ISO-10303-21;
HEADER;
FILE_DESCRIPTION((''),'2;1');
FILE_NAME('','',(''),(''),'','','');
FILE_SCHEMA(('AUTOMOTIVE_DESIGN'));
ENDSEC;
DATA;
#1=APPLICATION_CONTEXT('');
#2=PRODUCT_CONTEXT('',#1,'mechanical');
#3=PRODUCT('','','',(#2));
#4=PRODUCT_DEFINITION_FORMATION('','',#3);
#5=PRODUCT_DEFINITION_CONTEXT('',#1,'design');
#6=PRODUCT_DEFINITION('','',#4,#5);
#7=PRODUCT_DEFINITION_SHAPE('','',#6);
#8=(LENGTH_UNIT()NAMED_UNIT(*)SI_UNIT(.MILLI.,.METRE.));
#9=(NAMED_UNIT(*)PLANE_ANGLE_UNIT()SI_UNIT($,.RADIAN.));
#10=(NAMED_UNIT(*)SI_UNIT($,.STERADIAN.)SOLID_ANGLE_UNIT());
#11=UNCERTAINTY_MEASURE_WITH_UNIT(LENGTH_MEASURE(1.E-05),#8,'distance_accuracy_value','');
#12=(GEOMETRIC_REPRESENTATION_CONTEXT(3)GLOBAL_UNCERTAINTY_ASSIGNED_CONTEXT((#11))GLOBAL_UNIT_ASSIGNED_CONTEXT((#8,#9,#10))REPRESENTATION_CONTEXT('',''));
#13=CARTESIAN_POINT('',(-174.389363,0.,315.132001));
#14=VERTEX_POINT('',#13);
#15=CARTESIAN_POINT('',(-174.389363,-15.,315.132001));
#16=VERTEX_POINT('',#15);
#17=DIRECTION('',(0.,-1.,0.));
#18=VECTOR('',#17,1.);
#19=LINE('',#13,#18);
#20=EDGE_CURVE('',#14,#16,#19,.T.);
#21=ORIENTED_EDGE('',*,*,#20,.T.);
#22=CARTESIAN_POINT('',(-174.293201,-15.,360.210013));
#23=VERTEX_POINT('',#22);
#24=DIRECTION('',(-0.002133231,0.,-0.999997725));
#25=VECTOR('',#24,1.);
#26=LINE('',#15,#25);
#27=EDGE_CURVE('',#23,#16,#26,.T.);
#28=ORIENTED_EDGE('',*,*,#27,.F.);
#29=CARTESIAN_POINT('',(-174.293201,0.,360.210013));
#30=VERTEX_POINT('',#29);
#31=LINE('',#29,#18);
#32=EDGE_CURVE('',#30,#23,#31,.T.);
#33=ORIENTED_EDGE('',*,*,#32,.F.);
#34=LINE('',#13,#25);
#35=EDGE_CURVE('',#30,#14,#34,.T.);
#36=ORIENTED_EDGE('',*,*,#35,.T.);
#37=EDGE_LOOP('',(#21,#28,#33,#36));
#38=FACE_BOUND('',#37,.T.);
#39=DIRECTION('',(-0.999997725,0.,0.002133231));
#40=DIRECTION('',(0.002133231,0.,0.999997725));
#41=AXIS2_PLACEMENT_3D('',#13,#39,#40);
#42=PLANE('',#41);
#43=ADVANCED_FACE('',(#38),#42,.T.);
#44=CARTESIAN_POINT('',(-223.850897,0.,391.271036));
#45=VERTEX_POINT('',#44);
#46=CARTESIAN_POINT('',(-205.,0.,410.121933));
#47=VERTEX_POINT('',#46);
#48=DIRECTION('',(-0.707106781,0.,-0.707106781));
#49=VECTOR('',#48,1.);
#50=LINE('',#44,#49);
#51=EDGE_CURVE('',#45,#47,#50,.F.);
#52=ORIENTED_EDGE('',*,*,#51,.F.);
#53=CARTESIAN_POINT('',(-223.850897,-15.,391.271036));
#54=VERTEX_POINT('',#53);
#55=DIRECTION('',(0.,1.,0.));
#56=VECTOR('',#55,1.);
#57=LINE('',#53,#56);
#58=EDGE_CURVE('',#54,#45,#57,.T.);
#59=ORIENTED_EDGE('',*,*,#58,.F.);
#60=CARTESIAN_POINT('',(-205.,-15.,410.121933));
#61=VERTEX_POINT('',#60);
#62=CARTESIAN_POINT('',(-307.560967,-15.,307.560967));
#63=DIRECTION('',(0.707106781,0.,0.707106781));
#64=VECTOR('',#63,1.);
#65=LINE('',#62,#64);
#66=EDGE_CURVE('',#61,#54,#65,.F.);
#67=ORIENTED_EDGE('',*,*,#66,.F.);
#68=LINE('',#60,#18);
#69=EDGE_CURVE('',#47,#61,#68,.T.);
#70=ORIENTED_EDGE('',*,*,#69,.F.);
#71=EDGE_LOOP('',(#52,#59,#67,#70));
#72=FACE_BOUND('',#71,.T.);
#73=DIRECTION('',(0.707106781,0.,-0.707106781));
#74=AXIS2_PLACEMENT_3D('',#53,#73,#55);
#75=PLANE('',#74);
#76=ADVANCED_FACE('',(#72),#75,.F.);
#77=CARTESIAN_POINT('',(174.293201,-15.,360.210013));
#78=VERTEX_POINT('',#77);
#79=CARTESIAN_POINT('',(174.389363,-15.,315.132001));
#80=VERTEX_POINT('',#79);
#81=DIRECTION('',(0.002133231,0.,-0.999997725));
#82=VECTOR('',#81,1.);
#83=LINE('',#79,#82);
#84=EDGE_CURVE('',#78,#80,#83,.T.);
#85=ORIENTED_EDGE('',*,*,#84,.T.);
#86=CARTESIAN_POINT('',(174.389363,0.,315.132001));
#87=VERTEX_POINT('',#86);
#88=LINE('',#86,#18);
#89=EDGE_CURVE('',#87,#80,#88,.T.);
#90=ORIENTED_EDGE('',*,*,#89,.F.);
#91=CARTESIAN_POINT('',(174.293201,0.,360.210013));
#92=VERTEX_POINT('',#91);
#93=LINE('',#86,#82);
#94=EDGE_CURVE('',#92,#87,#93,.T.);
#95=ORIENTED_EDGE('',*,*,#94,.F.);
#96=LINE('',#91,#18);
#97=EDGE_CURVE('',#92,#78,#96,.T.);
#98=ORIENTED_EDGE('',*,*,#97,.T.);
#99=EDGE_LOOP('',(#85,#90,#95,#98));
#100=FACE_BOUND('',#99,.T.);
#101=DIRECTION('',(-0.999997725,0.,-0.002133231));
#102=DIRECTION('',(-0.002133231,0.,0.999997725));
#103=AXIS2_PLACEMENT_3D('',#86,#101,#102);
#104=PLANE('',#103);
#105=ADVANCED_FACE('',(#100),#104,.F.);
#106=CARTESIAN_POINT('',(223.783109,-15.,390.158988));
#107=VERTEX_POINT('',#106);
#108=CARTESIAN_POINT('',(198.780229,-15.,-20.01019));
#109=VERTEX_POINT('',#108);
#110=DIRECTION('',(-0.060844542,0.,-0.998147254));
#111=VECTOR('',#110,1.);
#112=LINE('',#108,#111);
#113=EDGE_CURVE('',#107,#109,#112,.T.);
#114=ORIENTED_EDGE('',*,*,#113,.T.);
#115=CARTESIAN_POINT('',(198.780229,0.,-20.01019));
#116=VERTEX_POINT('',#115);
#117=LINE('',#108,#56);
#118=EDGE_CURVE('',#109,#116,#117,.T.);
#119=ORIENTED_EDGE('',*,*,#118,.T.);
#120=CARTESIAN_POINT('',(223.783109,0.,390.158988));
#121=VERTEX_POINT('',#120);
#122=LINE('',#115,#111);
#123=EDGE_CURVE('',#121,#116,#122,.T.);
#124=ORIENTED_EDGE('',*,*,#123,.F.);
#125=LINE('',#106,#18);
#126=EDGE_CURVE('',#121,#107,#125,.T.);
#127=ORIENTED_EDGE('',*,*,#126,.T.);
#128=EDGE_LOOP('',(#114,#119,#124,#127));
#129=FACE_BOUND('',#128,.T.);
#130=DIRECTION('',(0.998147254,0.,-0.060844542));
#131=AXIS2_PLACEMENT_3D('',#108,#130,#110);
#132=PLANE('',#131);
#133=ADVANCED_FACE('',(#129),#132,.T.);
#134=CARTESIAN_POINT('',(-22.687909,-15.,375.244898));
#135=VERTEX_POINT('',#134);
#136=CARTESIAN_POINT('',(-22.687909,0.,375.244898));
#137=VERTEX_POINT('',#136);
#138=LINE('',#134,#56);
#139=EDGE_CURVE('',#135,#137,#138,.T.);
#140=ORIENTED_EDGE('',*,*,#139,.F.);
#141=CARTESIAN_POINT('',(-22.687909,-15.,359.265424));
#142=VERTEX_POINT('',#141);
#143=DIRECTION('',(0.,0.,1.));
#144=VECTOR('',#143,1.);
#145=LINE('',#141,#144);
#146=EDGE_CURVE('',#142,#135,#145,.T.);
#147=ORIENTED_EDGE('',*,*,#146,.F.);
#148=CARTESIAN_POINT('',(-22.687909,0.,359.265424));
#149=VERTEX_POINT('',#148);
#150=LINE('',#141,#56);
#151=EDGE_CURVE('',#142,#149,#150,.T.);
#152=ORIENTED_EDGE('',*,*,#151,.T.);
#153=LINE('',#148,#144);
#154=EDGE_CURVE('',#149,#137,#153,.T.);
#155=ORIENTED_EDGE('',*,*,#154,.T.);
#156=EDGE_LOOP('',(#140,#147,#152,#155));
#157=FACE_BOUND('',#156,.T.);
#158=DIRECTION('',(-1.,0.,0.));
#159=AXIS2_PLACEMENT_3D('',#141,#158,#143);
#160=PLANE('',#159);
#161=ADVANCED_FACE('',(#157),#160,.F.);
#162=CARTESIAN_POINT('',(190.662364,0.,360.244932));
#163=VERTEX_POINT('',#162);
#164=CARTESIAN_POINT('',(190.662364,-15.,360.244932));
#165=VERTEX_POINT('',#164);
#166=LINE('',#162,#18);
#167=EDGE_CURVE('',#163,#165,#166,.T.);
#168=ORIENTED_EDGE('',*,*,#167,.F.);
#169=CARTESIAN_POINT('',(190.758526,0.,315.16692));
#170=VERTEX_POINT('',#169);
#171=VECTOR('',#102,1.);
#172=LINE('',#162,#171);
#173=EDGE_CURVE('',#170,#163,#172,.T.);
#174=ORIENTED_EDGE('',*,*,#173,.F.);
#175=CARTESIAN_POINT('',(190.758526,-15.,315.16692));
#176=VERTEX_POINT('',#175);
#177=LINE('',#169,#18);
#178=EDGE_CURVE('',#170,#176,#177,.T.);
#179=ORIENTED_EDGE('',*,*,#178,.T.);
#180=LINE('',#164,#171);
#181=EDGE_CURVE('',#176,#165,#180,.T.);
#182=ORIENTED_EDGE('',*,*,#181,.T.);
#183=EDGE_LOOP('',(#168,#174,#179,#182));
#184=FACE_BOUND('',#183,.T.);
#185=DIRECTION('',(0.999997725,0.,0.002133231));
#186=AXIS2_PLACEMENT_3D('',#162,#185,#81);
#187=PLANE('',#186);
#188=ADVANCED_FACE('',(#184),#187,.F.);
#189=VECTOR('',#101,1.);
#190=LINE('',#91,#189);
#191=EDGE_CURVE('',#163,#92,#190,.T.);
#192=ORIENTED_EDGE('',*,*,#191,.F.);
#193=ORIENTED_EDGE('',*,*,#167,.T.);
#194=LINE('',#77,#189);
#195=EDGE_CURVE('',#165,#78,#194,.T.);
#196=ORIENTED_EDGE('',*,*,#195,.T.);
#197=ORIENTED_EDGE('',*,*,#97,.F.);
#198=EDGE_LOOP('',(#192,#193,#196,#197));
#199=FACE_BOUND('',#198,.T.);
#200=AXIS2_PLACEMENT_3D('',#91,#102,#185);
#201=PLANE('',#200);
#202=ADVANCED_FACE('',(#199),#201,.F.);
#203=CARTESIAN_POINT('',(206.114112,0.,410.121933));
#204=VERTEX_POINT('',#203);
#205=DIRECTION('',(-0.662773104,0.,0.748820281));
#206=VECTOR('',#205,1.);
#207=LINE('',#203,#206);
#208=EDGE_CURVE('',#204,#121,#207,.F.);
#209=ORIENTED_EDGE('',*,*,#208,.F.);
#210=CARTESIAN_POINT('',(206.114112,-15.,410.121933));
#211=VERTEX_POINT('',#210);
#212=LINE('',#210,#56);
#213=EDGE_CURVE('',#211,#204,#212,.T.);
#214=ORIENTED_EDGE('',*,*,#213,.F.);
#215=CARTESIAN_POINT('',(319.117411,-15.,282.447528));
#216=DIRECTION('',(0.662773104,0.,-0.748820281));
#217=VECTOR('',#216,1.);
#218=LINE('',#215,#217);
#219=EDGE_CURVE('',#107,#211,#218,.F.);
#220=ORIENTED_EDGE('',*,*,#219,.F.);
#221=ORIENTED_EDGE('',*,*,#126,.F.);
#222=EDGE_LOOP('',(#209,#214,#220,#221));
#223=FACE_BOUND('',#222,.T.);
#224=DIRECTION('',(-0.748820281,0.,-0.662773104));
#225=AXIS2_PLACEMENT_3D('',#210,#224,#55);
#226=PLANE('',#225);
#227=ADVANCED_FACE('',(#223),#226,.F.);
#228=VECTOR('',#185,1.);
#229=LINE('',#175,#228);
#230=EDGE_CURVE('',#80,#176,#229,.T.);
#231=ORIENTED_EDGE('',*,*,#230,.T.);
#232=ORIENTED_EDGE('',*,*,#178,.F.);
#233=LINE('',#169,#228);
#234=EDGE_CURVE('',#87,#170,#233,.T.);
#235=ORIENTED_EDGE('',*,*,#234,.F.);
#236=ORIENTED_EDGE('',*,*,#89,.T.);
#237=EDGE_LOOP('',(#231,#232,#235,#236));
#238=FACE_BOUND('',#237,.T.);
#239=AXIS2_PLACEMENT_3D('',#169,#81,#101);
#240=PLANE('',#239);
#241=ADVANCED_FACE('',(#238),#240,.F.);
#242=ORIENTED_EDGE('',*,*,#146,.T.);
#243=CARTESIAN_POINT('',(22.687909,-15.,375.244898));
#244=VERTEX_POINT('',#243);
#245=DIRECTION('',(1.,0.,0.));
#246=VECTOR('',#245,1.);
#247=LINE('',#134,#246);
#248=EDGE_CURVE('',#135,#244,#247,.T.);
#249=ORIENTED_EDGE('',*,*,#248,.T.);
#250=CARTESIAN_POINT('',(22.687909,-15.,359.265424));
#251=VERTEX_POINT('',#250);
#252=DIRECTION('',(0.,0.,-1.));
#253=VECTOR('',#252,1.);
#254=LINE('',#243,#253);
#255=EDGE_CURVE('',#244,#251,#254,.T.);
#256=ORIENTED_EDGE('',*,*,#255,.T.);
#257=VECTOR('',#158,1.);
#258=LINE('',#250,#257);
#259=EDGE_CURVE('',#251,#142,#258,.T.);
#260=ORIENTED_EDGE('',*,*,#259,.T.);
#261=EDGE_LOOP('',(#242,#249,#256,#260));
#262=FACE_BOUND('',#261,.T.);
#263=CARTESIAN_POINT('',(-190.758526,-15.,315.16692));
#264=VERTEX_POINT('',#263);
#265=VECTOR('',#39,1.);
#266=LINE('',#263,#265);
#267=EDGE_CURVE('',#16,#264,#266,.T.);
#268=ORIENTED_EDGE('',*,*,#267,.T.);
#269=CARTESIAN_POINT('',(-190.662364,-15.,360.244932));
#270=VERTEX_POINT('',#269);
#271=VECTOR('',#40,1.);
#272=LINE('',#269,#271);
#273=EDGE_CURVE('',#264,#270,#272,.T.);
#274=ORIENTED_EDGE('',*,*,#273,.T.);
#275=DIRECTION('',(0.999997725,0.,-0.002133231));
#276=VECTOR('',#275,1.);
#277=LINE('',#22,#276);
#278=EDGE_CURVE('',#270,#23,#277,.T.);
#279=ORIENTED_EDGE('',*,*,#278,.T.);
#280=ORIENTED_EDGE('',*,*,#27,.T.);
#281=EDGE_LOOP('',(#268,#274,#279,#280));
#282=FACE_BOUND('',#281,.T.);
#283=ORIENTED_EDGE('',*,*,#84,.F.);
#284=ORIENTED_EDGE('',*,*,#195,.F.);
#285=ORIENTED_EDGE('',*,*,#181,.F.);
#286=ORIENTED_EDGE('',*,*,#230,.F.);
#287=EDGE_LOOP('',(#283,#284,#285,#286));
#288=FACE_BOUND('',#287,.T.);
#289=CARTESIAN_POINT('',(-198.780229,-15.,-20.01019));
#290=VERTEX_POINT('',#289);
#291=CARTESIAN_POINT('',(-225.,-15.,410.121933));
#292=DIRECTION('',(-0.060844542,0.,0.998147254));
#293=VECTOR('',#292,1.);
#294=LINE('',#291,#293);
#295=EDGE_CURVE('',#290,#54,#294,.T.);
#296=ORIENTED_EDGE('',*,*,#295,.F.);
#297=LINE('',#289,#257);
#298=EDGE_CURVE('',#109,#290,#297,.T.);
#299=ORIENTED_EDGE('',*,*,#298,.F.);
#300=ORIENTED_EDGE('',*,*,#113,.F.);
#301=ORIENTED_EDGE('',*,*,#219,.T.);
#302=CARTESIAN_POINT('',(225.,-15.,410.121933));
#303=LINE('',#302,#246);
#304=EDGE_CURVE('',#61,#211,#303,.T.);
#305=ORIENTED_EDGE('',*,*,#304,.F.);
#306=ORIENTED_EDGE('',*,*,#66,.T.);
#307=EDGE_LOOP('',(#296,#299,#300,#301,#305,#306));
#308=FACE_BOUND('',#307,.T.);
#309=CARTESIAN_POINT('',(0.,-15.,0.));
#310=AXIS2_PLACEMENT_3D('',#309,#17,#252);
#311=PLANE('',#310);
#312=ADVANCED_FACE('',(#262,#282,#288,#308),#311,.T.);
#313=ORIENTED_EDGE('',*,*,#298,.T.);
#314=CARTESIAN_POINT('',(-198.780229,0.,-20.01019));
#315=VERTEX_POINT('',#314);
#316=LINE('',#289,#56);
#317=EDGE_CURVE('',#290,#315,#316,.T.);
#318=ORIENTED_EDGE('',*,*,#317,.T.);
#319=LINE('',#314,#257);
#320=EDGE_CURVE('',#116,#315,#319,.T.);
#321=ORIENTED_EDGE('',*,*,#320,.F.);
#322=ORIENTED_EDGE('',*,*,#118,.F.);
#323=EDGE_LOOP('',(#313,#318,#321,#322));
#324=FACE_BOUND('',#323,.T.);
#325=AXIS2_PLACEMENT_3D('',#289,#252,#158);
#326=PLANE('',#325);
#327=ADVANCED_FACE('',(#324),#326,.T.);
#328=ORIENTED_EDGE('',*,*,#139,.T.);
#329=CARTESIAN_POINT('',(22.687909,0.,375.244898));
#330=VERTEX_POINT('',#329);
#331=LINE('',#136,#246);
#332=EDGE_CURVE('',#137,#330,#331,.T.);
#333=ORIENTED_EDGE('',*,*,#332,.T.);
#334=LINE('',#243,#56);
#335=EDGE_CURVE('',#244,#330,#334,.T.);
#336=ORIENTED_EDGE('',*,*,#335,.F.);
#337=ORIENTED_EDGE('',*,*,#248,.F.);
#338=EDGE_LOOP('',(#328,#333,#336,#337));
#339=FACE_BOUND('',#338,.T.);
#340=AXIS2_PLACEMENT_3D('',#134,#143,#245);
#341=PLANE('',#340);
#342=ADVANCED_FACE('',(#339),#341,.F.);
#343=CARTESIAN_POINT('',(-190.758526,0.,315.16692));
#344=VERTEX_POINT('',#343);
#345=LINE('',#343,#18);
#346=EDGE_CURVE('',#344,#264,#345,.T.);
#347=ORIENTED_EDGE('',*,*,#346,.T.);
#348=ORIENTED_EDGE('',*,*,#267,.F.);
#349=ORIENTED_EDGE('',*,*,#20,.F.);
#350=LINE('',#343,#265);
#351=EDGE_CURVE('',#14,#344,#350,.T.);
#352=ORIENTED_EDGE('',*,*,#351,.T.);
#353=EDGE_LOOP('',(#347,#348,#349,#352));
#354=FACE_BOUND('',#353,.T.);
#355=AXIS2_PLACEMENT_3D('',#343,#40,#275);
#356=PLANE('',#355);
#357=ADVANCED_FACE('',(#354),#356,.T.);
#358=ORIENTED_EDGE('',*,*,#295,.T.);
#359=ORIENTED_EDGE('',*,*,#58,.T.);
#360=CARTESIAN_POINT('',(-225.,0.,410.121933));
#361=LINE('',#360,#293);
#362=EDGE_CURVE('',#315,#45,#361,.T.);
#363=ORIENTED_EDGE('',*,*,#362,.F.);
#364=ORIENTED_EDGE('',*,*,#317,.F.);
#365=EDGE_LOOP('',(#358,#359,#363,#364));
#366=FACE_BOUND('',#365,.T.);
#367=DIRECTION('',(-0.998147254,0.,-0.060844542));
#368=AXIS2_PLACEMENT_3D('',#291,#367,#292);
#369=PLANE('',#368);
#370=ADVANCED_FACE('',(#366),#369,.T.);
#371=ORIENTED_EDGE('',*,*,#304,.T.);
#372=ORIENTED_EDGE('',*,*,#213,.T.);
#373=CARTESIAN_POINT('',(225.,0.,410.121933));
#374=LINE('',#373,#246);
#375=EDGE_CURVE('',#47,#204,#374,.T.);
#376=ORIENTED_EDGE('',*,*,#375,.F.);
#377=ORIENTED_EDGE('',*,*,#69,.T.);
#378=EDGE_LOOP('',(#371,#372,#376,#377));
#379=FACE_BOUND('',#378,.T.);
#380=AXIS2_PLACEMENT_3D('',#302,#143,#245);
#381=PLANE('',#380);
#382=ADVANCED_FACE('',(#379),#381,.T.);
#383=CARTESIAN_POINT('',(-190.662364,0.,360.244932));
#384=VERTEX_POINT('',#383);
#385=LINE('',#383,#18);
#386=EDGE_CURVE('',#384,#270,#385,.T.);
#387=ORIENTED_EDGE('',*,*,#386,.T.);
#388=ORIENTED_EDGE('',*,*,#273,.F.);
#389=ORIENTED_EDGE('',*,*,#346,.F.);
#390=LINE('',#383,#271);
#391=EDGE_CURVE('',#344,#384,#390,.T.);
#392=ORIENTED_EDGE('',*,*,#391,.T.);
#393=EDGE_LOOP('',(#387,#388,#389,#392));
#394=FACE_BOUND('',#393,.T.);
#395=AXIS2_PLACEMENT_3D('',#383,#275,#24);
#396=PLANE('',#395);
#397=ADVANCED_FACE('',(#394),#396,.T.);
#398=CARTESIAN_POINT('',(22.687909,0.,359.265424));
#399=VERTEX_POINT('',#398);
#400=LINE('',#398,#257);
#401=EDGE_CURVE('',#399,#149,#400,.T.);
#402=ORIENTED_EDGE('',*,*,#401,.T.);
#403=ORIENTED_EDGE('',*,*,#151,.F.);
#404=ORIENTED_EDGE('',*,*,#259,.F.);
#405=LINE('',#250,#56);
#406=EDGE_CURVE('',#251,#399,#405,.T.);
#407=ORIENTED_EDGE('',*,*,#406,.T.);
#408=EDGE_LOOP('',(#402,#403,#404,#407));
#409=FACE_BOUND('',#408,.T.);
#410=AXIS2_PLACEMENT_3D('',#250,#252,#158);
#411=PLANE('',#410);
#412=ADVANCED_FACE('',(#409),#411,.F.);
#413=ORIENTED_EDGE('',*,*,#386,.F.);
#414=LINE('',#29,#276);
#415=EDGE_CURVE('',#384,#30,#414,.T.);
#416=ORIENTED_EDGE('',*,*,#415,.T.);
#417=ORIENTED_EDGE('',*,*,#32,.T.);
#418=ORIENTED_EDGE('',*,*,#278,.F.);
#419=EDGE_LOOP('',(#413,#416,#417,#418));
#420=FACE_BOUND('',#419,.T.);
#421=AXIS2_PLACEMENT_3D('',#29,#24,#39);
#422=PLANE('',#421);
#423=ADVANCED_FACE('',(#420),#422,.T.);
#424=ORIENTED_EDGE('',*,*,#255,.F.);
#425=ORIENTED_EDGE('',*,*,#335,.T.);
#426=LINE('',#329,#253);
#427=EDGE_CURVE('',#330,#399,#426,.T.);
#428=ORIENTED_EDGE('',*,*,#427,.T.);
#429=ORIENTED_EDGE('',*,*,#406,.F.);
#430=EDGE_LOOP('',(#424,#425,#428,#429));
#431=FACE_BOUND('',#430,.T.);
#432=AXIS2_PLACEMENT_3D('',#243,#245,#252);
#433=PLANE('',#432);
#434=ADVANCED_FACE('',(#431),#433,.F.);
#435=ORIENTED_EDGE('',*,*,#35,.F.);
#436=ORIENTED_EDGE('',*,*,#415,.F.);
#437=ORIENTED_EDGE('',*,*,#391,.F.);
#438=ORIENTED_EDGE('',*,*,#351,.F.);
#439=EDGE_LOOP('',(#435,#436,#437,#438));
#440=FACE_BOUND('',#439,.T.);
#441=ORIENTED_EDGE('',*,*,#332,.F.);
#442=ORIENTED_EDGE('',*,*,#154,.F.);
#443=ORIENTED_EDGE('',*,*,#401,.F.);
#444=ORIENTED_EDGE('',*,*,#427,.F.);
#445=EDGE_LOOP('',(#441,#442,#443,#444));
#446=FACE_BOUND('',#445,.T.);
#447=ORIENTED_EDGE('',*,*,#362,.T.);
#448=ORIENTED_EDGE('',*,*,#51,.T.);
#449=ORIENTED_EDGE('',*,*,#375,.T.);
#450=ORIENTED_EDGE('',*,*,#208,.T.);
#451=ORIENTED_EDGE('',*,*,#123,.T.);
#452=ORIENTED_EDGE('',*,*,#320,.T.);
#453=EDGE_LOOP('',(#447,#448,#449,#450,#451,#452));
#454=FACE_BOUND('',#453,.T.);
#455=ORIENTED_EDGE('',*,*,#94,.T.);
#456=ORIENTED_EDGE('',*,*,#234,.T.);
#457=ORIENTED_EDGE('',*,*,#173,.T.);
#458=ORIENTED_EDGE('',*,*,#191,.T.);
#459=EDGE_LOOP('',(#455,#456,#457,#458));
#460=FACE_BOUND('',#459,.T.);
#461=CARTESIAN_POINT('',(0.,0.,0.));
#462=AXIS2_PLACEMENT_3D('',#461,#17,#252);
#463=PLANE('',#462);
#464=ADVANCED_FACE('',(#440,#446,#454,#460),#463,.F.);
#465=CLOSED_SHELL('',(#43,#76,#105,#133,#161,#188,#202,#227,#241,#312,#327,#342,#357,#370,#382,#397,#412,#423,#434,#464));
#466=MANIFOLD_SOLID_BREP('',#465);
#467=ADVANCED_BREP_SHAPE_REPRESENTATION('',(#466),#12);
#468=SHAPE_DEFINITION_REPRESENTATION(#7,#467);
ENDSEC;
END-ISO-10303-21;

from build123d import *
from OCP.BRepFilletAPI import BRepFilletAPI_MakeChamfer

# Parameters (mm, degrees)
BOSS_EXTRUDE1_DEPTH = 15
CUT_EXTRUDE1_DEPTH  = 469.027776953
CHAMFER1_SIZE       = 20
CHAMFER1_SIZE2      = 18.885887556
SKETCH4_W           = 45.375817112
SKETCH4_H           = 15.979474245
CUT_EXTRUDE5_DEPTH  = 468.476442192


with BuildPart() as part:
    # Sketch1 → Boss-Extrude1 (new body)
    with BuildSketch(Plane(origin=(0, 0, 0), x_dir=(1, 0, 0), z_dir=(0, 1, 0))):
        Polygon((-225, -410.121933088), (-198.780229192, 20.01019046), (198.780229192, 20.01019046), (225, -410.121933088), align=None)
    extrude(amount=-BOSS_EXTRUDE1_DEPTH)

    # Sketch2 → Cut-Extrude1 (cut, through all)
    with BuildSketch(Plane.XZ.offset(15)):
        Polygon((190.662364216, 360.244932401), (190.758526229, 315.166919875), (174.389363372, 315.132000597), (174.293201359, 360.210013123), align=None)
    cut_extrude1 = extrude(amount=-CUT_EXTRUDE1_DEPTH, mode=Mode.SUBTRACT)

    # Mirror1: Cut-Extrude1 across plane
    add(cut_extrude1.mirror(Plane(origin=(0, 0, 0), x_dir=(0, 0, 1), z_dir=(1, 0, 0))), mode=Mode.SUBTRACT)

    # Chamfer1: one chamfer whose edges measure the first distance from different faces: ONE call of the kernel's chamfer builder (chamfer() names one face for all edges)
    chamfer1_edges_1 = [part.edges().sort_by_distance(p)[0] for p in [
        (-225, -7.5, 410.121933088),
    ]]
    chamfer1_side_1 = [part.faces().sort_by_distance(p)[0] for p in [
        (0, -7.5, 410.121933088),
    ]]
    chamfer1_edges_2 = [part.edges().sort_by_distance(p)[0] for p in [
        (225, -7.5, 410.121933088),
    ]]
    chamfer1_side_2 = [part.faces().sort_by_distance(p)[0] for p in [
        (211.890114596, -7.5, 195.055871314),
    ]]
    chamfer1 = BRepFilletAPI_MakeChamfer(part.part.solid().wrapped)
    for e in chamfer1_edges_1:
        chamfer1.Add(CHAMFER1_SIZE, CHAMFER1_SIZE2, e.wrapped, chamfer1_side_1[0].wrapped)  # the first distance lies on this face
    for e in chamfer1_edges_2:
        chamfer1.Add(CHAMFER1_SIZE, CHAMFER1_SIZE2, e.wrapped, chamfer1_side_2[0].wrapped)  # the first distance lies on this face
    add(Compound.cast(chamfer1.Shape()), mode=Mode.REPLACE)

    # Sketch4 → Cut-Extrude5 (cut, through all)
    with BuildSketch(Plane(origin=(0, 0, 0), x_dir=(1, 0, 0), z_dir=(0, 1, 0))):
        with Locations((0, -367.255161149)):
            Rectangle(SKETCH4_W, SKETCH4_H)
    extrude(amount=-CUT_EXTRUDE5_DEPTH, mode=Mode.SUBTRACT)


solid = part.part
